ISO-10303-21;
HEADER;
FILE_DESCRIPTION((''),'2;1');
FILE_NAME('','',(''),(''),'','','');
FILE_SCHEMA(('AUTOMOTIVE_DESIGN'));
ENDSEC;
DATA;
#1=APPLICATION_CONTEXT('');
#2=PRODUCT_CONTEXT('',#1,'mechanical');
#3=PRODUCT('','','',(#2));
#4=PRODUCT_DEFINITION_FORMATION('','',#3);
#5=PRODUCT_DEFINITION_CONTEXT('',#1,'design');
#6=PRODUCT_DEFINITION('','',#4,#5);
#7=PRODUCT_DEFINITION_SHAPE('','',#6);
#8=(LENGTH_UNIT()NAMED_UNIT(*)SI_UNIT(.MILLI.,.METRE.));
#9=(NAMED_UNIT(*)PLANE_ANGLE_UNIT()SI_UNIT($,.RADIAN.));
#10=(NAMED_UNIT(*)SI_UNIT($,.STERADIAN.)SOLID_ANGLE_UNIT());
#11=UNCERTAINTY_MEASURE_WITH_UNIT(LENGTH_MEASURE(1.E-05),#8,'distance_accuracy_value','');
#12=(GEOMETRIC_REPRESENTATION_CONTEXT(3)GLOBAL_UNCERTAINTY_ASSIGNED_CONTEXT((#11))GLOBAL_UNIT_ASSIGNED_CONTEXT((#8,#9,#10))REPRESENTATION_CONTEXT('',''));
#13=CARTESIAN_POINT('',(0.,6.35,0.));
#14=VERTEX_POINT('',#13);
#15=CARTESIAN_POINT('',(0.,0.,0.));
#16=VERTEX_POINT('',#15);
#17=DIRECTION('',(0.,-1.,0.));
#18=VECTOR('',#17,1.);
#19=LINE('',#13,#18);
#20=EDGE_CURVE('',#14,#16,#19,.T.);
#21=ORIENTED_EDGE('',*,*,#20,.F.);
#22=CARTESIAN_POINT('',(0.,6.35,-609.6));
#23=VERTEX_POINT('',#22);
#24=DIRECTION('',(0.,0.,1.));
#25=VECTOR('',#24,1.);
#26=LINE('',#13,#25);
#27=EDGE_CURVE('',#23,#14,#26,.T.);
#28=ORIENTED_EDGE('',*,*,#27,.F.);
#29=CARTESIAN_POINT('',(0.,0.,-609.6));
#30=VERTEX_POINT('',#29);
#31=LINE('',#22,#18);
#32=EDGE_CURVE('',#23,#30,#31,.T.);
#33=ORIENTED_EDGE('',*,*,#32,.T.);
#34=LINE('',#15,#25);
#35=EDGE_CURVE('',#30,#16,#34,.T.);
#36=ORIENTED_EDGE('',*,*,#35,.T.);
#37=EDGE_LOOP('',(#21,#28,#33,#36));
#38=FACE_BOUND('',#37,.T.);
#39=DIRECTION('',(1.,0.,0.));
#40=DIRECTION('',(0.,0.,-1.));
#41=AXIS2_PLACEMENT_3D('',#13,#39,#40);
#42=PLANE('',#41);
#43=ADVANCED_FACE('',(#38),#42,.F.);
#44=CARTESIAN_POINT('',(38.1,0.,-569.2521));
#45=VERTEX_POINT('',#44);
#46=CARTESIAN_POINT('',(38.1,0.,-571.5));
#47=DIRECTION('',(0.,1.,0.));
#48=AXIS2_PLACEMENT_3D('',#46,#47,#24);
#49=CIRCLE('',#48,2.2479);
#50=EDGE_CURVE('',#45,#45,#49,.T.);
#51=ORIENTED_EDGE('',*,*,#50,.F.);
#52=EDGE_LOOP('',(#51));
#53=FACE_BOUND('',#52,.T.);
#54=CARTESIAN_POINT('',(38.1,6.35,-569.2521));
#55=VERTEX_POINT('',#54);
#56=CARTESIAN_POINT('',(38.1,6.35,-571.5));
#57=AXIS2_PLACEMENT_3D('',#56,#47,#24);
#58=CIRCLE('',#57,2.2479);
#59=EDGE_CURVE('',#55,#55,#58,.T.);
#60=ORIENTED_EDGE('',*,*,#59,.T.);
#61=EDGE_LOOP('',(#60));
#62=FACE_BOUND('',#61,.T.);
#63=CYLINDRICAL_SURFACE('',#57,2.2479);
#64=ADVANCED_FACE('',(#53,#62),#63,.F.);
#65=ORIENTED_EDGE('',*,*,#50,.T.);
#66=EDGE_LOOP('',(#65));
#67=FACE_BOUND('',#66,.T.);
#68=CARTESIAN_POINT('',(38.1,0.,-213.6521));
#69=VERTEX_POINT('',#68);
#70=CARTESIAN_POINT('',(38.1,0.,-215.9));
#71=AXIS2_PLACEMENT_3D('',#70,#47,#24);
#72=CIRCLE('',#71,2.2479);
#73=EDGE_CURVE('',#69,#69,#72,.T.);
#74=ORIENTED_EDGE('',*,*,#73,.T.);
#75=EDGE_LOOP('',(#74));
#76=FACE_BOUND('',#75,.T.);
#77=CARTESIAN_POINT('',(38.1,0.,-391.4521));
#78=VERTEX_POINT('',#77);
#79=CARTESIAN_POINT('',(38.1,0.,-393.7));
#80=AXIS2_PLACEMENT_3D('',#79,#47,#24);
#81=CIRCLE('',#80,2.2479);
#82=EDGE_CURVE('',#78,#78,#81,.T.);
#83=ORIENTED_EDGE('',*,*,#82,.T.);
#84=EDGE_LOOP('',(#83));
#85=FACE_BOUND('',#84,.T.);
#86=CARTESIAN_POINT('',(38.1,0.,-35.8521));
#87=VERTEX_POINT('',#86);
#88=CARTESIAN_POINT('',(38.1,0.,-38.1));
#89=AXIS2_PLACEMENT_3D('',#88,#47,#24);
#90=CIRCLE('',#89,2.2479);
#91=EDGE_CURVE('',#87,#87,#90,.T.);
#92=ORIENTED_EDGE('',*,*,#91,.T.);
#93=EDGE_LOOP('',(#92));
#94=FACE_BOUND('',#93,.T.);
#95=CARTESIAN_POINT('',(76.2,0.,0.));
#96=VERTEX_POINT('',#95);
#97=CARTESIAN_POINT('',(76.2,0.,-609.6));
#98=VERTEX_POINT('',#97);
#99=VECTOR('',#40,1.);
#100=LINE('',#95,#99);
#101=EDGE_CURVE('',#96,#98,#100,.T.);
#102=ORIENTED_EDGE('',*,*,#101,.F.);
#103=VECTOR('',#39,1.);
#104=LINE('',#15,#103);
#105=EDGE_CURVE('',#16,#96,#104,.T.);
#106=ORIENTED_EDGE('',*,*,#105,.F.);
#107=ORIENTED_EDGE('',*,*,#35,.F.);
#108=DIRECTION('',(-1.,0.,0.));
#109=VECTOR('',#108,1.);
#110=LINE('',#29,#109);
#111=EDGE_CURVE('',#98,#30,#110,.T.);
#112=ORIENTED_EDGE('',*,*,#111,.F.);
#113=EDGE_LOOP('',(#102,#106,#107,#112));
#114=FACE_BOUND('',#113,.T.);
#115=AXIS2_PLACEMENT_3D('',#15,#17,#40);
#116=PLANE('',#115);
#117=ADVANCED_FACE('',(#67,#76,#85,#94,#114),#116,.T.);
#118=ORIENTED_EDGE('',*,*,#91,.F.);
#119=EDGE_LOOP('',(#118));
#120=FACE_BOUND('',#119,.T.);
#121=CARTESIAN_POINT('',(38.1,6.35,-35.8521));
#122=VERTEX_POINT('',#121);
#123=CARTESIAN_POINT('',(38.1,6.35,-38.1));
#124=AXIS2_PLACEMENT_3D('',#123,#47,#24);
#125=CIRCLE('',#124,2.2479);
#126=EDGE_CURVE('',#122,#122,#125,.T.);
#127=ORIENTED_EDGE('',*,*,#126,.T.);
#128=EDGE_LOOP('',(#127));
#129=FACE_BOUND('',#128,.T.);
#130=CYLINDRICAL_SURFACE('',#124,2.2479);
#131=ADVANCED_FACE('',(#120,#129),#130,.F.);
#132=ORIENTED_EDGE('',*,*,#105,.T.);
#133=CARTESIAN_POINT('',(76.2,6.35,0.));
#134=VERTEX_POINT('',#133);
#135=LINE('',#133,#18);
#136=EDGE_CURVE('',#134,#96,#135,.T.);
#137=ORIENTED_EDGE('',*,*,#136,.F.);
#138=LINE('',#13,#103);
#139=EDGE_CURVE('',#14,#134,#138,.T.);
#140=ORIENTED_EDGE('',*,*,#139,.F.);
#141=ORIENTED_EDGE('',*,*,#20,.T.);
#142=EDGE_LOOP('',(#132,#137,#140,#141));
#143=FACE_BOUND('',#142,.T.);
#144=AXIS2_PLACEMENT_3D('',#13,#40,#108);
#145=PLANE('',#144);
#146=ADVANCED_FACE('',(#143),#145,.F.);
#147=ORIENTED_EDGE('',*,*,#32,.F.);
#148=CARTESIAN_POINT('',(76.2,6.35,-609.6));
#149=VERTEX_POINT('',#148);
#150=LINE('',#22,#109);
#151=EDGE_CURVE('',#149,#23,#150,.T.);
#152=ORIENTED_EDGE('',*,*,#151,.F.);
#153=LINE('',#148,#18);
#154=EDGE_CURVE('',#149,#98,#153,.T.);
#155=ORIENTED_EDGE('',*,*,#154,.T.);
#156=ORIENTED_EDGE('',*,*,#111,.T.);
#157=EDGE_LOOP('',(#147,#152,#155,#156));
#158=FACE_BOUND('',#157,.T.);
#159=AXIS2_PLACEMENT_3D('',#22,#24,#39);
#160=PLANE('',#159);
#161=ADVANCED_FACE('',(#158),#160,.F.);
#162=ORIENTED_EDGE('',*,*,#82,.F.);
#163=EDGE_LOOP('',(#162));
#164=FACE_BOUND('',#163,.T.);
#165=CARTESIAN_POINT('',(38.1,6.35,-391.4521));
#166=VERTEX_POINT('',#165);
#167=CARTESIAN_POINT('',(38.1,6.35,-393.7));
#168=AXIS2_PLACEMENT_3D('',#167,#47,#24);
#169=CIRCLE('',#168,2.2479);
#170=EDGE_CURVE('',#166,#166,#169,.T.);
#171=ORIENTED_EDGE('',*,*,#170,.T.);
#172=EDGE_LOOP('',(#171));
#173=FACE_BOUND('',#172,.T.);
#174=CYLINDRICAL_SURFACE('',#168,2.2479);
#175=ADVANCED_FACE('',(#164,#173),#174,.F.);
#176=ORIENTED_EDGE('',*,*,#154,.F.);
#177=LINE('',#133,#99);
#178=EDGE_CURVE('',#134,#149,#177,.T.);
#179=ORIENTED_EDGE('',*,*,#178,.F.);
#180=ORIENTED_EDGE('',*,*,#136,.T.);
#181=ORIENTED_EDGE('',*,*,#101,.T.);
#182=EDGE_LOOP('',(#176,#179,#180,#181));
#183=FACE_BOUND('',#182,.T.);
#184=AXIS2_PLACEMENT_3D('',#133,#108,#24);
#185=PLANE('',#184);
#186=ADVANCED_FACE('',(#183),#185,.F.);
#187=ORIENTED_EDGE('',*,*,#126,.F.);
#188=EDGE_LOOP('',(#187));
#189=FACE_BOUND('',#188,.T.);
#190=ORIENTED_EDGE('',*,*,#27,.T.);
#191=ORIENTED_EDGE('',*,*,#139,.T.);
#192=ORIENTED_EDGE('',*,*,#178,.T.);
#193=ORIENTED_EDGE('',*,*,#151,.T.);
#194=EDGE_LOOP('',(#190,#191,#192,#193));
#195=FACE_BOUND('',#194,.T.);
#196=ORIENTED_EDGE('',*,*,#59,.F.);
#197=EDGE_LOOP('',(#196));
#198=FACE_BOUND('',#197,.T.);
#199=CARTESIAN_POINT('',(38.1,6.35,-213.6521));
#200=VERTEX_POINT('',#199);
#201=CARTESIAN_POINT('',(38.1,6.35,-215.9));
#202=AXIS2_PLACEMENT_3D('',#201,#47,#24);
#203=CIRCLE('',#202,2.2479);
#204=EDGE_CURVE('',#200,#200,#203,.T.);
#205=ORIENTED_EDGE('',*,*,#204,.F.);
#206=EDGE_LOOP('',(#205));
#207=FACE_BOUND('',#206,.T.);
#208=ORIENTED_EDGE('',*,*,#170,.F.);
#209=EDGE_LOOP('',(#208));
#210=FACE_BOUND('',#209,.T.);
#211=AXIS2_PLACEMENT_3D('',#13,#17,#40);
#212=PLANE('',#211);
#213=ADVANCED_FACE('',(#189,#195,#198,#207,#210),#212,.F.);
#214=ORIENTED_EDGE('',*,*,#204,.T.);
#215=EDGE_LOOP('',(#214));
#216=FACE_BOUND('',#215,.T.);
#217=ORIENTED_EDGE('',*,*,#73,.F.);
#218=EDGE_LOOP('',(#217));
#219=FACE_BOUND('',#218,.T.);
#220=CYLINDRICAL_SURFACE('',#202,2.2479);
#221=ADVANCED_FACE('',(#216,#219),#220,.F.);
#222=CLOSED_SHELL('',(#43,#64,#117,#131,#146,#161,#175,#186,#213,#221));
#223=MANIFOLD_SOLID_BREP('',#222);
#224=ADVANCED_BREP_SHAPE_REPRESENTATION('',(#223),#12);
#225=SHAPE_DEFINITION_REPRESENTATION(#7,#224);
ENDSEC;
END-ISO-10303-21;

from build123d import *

# Parameters (mm, degrees)
SKETCH1_W                   = 76.2
SKETCH1_H                   = 609.6
BOSS_EXTRUDE1_DEPTH         = 6.35
F_16_0_177_DIAMETER_HOLE1_D = 4.4958


with BuildPart() as part:
    # Sketch1 → Boss-Extrude1 (new body)
    with BuildSketch(Plane(origin=(0, 0, 0), x_dir=(1, 0, 0), z_dir=(0, 1, 0))):
        with Locations((38.1, 304.8)):
            Rectangle(SKETCH1_W, SKETCH1_H)
    extrude(amount=BOSS_EXTRUDE1_DEPTH)

    # #16 (0.177) Diameter Hole1 (through all)
    with Locations(Plane(origin=(0, 6.35, 0), x_dir=(1, 0, 0), z_dir=(0, 1, 0))):
        with Locations((38.1, 38.1), (38.1, 215.9), (38.1, 393.7), (38.1, 571.5)):
            Hole(F_16_0_177_DIAMETER_HOLE1_D / 2)


solid = part.part
